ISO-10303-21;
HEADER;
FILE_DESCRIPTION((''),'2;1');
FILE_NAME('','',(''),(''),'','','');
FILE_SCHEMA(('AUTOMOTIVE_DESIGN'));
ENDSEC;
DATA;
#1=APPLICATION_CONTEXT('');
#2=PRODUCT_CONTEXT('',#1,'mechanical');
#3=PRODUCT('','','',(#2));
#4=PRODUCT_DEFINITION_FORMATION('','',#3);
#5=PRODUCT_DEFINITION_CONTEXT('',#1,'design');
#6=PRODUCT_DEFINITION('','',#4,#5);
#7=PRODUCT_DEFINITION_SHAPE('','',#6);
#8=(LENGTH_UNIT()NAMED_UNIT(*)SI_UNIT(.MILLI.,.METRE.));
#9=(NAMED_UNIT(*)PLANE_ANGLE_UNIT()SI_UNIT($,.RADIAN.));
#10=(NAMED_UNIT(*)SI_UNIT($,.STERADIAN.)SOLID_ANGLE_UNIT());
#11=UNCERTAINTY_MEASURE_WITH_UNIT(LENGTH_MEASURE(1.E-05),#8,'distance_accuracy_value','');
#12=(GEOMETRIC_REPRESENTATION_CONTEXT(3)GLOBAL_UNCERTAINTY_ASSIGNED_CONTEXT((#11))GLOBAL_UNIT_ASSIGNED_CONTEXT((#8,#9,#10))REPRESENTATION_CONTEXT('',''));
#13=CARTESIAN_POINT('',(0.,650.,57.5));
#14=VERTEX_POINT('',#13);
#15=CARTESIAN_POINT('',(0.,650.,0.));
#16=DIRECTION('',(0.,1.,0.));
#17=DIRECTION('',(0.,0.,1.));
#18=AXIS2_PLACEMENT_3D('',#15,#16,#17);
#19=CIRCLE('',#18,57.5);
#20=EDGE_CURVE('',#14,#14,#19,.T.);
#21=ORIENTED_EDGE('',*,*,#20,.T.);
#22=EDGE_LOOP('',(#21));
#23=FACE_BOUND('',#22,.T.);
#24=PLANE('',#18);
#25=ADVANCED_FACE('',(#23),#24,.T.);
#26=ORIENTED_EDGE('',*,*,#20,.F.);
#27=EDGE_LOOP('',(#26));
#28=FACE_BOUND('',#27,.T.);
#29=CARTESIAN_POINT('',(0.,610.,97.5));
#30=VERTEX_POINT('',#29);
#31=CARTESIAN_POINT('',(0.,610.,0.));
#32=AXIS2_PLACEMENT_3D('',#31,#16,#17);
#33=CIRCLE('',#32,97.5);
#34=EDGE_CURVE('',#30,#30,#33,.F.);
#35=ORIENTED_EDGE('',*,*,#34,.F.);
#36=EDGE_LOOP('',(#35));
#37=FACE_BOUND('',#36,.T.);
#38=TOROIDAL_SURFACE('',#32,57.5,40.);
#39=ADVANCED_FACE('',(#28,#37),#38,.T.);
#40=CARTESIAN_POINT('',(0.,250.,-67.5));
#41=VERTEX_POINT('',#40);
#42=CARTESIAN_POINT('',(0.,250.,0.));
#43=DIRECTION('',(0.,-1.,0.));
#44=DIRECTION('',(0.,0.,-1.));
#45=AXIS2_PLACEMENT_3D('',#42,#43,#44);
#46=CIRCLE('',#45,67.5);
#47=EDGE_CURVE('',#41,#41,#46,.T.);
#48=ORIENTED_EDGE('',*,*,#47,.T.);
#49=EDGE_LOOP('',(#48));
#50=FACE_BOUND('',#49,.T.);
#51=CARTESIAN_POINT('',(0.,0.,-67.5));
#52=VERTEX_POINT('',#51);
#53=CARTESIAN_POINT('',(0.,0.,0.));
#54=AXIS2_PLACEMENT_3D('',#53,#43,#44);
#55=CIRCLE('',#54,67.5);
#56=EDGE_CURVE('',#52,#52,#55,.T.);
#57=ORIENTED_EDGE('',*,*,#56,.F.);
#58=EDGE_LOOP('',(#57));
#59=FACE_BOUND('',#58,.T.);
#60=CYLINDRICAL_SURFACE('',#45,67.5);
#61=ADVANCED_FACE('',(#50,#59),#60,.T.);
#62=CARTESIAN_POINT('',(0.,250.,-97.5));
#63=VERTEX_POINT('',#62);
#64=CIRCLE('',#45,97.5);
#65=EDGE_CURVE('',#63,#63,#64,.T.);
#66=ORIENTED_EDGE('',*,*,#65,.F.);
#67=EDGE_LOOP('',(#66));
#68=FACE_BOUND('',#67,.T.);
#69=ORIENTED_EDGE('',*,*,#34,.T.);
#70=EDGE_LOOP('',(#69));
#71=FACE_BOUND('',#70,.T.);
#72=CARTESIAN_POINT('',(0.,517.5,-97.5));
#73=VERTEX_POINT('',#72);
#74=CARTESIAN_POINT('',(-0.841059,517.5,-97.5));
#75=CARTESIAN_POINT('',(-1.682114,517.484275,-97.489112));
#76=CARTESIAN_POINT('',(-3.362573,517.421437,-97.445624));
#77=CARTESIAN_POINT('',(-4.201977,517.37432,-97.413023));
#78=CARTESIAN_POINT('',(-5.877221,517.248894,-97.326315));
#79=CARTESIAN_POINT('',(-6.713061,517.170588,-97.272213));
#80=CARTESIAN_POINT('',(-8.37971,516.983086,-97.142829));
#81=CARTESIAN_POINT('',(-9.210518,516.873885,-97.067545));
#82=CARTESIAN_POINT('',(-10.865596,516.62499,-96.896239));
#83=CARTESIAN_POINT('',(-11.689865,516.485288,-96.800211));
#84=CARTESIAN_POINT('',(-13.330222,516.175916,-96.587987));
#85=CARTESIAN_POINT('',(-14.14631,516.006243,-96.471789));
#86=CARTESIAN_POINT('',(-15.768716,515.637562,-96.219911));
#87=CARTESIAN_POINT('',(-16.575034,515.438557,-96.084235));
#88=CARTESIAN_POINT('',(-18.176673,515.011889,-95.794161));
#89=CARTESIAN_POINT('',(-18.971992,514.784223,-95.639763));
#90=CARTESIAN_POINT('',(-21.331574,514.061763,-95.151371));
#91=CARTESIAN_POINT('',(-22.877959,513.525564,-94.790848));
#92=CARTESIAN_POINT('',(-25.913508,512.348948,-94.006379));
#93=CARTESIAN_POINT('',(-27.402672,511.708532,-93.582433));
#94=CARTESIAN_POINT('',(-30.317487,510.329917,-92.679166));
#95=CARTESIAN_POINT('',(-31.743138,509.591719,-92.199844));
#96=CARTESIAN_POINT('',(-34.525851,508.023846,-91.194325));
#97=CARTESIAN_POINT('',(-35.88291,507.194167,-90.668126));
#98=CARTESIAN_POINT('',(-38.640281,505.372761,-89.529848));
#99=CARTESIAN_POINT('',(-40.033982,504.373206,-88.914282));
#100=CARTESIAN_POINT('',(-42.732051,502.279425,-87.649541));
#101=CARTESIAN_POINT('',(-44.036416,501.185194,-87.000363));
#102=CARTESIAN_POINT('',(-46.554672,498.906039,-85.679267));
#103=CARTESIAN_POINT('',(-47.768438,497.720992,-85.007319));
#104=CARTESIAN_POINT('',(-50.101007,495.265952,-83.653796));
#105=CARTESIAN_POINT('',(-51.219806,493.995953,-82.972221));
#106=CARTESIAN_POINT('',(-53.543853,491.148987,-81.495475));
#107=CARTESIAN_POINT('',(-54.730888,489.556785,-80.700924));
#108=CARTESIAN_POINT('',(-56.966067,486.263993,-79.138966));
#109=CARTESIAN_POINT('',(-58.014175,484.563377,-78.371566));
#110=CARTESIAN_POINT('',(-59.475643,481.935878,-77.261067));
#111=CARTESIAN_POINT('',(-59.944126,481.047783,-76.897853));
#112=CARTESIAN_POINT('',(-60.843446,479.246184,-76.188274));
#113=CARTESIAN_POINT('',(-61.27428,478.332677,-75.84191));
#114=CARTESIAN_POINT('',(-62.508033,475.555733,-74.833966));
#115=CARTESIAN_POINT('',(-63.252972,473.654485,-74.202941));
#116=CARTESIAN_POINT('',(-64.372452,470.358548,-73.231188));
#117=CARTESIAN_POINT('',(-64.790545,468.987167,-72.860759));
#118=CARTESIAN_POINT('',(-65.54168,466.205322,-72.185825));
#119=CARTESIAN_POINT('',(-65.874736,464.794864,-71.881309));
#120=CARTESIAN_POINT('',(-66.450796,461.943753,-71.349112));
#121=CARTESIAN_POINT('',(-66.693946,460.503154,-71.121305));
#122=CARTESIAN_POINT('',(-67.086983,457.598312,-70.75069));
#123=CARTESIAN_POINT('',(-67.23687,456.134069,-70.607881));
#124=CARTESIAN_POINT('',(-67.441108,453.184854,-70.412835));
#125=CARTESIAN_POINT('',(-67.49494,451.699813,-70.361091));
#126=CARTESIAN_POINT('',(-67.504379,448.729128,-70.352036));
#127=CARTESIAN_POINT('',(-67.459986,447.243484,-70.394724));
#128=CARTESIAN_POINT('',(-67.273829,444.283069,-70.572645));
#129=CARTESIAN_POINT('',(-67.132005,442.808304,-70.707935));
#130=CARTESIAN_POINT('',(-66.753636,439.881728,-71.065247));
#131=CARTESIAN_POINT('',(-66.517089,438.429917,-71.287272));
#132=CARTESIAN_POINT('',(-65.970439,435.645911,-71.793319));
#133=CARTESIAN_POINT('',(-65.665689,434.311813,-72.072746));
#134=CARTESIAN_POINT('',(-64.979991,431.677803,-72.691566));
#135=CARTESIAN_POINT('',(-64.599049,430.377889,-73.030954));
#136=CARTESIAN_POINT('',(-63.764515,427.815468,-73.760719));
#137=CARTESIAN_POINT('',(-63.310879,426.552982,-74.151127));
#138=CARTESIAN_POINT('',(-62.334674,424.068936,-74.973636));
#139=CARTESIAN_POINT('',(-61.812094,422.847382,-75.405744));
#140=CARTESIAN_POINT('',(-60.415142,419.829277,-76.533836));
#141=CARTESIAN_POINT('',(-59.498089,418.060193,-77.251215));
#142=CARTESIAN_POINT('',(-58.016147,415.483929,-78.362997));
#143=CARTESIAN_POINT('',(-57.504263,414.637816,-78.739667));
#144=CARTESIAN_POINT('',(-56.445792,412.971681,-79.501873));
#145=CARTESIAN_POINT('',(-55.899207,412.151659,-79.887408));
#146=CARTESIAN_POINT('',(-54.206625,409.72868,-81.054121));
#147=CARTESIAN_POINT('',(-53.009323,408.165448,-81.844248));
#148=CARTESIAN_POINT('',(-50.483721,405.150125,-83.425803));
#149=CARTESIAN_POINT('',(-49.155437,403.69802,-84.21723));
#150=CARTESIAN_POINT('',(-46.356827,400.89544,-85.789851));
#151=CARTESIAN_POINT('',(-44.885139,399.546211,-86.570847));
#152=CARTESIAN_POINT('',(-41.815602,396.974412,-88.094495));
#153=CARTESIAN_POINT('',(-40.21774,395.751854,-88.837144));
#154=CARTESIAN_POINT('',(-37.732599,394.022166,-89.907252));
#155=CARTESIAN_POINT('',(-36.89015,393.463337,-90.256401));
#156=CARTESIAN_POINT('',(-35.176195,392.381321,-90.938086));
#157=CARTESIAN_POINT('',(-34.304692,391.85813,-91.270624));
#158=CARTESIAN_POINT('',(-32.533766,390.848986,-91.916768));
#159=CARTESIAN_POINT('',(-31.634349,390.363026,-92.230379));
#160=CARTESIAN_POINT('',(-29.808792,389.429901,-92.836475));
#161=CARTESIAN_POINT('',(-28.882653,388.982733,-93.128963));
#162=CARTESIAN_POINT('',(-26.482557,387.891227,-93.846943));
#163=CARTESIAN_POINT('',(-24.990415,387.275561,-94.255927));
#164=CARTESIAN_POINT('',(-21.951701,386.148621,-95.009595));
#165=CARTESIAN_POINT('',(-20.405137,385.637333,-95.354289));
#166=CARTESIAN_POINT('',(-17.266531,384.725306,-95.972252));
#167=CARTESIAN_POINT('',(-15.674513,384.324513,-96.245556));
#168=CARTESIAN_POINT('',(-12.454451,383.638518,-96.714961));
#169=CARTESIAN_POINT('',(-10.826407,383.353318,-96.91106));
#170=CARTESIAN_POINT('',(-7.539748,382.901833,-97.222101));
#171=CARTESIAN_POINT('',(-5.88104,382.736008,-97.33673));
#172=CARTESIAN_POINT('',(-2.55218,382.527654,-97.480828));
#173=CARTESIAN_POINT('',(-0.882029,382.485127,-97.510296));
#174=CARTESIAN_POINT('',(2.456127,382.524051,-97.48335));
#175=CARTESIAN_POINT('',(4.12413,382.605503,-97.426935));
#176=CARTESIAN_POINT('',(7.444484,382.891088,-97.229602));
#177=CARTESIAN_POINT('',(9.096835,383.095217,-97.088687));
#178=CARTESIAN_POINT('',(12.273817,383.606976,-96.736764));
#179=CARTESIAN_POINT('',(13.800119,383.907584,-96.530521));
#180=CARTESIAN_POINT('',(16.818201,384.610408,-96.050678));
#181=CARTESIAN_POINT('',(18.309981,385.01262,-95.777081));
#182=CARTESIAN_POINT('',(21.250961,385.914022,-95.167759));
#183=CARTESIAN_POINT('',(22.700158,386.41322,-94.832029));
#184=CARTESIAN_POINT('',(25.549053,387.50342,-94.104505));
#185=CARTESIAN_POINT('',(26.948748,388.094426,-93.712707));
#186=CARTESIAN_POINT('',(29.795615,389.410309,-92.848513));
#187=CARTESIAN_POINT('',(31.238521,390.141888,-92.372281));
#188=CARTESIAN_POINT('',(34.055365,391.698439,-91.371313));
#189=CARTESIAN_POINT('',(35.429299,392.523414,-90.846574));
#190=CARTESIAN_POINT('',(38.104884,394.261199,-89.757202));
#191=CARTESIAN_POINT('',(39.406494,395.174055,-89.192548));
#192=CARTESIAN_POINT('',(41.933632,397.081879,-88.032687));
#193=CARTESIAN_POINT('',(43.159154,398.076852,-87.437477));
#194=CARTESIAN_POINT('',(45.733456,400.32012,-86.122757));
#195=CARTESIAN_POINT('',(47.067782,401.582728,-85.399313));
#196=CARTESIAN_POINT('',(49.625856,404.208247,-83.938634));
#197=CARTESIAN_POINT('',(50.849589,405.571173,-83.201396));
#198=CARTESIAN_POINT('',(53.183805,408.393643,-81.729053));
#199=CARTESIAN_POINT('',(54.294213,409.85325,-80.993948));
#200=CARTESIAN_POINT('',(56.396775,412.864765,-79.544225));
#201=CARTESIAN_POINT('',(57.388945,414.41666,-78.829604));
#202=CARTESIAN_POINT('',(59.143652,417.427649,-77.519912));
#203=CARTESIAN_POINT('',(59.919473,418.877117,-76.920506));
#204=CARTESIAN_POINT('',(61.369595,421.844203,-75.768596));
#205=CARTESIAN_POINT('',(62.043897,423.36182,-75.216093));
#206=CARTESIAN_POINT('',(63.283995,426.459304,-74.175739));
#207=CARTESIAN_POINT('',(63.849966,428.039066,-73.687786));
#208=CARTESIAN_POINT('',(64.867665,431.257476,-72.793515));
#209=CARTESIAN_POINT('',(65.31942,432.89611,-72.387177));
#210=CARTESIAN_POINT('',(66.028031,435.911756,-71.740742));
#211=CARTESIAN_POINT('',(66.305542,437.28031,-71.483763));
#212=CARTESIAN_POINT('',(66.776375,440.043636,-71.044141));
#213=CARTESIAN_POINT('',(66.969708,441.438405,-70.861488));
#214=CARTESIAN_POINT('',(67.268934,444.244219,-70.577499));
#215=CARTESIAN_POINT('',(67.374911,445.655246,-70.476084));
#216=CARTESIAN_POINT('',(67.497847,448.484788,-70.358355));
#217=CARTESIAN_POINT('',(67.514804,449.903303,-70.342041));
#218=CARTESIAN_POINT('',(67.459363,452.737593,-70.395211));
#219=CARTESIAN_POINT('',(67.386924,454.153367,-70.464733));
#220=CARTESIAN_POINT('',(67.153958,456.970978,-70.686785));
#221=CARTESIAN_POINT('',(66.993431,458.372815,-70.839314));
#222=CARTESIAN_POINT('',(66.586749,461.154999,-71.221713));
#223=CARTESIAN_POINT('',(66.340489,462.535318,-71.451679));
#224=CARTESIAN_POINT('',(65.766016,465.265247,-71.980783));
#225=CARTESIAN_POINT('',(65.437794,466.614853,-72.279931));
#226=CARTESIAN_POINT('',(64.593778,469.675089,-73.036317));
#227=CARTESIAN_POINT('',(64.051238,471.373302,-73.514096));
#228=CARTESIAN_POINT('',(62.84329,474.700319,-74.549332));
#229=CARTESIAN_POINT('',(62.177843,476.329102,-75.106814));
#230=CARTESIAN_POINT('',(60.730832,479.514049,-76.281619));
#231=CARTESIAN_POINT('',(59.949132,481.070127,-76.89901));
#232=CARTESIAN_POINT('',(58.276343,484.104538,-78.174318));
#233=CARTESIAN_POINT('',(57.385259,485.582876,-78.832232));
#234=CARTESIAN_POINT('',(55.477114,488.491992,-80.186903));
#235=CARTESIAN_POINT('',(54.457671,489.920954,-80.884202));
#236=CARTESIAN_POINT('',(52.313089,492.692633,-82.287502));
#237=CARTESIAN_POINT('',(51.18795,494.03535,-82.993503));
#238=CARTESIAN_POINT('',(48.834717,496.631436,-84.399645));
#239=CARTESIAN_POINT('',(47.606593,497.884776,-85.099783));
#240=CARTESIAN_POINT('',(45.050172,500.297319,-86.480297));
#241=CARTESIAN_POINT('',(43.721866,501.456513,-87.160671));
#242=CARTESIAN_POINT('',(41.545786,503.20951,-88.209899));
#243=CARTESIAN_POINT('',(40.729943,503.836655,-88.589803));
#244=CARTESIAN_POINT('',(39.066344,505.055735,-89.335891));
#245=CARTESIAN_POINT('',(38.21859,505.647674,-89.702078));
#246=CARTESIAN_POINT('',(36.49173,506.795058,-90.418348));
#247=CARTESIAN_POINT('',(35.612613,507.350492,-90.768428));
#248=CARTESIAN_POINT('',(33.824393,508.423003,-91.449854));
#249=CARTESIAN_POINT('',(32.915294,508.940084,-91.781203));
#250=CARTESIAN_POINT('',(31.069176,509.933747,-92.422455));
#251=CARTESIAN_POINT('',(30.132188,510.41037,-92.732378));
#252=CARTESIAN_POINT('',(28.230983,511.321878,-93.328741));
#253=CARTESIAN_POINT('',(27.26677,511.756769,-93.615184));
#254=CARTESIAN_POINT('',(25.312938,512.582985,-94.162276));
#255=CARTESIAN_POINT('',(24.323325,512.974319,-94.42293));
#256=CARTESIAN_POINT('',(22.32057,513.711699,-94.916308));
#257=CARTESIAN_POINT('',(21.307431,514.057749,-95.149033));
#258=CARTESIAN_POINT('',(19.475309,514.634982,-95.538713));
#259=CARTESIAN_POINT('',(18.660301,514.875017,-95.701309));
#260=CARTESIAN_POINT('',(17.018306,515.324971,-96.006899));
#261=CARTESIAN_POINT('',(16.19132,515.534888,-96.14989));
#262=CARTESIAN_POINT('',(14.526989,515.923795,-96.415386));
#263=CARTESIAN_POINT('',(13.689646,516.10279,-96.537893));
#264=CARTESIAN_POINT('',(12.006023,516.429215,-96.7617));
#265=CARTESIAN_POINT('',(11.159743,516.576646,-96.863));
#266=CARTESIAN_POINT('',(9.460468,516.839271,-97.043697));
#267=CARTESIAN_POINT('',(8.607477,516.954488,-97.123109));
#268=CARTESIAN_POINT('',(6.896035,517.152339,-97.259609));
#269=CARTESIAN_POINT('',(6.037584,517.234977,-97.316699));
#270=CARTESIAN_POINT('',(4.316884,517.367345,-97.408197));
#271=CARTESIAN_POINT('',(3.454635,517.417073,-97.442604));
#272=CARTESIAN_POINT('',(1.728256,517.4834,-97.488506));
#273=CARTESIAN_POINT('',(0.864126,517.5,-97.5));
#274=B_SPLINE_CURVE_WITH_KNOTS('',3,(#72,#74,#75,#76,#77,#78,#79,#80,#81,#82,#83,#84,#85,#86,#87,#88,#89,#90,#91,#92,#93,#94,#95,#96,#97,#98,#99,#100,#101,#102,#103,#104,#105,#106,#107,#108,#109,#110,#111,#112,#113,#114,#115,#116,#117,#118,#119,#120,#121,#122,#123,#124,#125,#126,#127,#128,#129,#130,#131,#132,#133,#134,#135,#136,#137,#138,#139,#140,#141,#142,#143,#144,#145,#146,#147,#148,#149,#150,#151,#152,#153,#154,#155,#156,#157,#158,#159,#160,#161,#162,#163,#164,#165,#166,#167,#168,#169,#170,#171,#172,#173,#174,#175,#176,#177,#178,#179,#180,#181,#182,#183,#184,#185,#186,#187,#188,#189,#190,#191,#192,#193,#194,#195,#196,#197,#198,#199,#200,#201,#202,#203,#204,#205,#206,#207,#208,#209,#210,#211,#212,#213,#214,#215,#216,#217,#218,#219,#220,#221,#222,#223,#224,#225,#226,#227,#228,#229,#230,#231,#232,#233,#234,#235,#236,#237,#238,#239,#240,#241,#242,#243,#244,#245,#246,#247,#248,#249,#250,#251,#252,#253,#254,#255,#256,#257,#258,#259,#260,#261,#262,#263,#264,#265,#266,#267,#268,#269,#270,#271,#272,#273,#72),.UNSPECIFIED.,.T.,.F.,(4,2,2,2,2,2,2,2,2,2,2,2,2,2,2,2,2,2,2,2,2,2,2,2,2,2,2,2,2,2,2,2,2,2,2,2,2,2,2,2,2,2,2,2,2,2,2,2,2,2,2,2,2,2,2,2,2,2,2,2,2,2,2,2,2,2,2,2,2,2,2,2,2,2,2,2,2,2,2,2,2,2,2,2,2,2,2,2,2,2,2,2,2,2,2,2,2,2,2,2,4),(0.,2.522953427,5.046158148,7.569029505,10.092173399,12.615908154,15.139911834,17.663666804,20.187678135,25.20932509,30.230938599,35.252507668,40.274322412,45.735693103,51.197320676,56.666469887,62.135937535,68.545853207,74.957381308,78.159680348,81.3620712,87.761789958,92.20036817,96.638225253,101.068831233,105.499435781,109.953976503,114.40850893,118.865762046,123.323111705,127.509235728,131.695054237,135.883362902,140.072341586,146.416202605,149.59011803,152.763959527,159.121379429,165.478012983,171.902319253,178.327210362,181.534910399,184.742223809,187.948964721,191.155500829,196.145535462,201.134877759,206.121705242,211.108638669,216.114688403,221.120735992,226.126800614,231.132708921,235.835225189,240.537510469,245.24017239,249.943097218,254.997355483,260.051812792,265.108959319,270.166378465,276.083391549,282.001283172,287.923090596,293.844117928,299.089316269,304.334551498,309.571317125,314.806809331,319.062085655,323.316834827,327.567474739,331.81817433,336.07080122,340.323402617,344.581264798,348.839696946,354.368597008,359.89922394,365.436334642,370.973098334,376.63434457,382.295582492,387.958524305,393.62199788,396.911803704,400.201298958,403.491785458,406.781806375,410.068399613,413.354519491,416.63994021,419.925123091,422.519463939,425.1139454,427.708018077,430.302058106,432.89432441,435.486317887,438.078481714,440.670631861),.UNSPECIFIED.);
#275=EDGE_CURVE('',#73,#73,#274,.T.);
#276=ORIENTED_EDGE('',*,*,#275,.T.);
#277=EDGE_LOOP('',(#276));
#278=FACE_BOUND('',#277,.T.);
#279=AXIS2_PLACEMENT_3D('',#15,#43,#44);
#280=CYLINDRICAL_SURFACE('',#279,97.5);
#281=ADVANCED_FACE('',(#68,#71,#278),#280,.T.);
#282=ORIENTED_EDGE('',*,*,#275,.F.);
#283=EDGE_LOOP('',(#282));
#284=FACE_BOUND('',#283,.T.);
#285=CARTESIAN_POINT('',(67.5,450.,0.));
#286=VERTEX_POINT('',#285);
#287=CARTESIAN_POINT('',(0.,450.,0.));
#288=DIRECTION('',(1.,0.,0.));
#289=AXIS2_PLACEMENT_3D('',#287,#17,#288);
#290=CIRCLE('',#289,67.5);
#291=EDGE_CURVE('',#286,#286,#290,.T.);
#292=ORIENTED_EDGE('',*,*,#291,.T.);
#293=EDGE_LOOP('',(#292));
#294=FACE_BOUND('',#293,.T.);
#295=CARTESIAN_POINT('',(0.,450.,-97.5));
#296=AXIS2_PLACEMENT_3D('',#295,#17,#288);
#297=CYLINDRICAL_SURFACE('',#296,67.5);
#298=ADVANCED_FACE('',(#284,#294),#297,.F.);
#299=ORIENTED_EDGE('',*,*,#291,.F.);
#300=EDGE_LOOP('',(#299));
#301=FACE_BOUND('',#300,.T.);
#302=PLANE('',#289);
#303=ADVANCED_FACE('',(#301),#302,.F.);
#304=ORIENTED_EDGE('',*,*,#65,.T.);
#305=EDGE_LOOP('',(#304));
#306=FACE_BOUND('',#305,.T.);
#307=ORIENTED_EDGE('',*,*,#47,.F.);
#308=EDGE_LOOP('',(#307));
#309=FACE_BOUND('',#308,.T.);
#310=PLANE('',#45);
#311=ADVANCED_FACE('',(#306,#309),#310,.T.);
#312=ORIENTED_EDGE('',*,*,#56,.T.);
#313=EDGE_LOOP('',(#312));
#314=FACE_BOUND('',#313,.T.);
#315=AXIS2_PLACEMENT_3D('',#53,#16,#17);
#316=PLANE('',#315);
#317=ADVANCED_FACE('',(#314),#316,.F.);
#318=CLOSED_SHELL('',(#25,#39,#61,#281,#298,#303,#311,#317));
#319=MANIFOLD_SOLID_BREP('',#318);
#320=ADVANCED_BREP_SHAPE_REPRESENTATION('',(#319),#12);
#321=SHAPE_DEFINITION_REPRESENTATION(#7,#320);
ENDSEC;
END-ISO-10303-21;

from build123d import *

# Parameters (mm, degrees)
SKETCH1_R           = 97.5
BOSS_EXTRUDE1_DEPTH = 650
SKETCH2_R           = 97.5
SKETCH2_R_2         = 67.5
CUT_EXTRUDE4_DEPTH  = 250
SKETCH4_R           = 67.5
CUT_EXTRUDE3_DEPTH  = 98.5
FILLET1_R           = 40


with BuildPart() as part:
    # Sketch1 → Boss-Extrude1 (new body)
    with BuildSketch(Plane(origin=(0, 0, 0), x_dir=(1, 0, 0), z_dir=(0, 1, 0))):
        Circle(SKETCH1_R)
    extrude(amount=BOSS_EXTRUDE1_DEPTH)

    # Sketch2 → Cut-Extrude4 (cut)
    with BuildSketch(Plane.XZ):
        Circle(SKETCH2_R)
        Circle(SKETCH2_R_2, mode=Mode.SUBTRACT)
    extrude(amount=-CUT_EXTRUDE4_DEPTH, mode=Mode.SUBTRACT)

    # Sketch4 → Cut-Extrude3 (cut, through all)
    with BuildSketch(Plane.XY):
        with Locations((0, 450)):
            Circle(SKETCH4_R)
    extrude(amount=-CUT_EXTRUDE3_DEPTH, mode=Mode.SUBTRACT)

    # Fillet1
    fillet1_edges = [part.edges().sort_by_distance(p)[0] for p in [
        (-97.5, 650, 0),
    ]]
    fillet(fillet1_edges, radius=FILLET1_R)


solid = part.part
